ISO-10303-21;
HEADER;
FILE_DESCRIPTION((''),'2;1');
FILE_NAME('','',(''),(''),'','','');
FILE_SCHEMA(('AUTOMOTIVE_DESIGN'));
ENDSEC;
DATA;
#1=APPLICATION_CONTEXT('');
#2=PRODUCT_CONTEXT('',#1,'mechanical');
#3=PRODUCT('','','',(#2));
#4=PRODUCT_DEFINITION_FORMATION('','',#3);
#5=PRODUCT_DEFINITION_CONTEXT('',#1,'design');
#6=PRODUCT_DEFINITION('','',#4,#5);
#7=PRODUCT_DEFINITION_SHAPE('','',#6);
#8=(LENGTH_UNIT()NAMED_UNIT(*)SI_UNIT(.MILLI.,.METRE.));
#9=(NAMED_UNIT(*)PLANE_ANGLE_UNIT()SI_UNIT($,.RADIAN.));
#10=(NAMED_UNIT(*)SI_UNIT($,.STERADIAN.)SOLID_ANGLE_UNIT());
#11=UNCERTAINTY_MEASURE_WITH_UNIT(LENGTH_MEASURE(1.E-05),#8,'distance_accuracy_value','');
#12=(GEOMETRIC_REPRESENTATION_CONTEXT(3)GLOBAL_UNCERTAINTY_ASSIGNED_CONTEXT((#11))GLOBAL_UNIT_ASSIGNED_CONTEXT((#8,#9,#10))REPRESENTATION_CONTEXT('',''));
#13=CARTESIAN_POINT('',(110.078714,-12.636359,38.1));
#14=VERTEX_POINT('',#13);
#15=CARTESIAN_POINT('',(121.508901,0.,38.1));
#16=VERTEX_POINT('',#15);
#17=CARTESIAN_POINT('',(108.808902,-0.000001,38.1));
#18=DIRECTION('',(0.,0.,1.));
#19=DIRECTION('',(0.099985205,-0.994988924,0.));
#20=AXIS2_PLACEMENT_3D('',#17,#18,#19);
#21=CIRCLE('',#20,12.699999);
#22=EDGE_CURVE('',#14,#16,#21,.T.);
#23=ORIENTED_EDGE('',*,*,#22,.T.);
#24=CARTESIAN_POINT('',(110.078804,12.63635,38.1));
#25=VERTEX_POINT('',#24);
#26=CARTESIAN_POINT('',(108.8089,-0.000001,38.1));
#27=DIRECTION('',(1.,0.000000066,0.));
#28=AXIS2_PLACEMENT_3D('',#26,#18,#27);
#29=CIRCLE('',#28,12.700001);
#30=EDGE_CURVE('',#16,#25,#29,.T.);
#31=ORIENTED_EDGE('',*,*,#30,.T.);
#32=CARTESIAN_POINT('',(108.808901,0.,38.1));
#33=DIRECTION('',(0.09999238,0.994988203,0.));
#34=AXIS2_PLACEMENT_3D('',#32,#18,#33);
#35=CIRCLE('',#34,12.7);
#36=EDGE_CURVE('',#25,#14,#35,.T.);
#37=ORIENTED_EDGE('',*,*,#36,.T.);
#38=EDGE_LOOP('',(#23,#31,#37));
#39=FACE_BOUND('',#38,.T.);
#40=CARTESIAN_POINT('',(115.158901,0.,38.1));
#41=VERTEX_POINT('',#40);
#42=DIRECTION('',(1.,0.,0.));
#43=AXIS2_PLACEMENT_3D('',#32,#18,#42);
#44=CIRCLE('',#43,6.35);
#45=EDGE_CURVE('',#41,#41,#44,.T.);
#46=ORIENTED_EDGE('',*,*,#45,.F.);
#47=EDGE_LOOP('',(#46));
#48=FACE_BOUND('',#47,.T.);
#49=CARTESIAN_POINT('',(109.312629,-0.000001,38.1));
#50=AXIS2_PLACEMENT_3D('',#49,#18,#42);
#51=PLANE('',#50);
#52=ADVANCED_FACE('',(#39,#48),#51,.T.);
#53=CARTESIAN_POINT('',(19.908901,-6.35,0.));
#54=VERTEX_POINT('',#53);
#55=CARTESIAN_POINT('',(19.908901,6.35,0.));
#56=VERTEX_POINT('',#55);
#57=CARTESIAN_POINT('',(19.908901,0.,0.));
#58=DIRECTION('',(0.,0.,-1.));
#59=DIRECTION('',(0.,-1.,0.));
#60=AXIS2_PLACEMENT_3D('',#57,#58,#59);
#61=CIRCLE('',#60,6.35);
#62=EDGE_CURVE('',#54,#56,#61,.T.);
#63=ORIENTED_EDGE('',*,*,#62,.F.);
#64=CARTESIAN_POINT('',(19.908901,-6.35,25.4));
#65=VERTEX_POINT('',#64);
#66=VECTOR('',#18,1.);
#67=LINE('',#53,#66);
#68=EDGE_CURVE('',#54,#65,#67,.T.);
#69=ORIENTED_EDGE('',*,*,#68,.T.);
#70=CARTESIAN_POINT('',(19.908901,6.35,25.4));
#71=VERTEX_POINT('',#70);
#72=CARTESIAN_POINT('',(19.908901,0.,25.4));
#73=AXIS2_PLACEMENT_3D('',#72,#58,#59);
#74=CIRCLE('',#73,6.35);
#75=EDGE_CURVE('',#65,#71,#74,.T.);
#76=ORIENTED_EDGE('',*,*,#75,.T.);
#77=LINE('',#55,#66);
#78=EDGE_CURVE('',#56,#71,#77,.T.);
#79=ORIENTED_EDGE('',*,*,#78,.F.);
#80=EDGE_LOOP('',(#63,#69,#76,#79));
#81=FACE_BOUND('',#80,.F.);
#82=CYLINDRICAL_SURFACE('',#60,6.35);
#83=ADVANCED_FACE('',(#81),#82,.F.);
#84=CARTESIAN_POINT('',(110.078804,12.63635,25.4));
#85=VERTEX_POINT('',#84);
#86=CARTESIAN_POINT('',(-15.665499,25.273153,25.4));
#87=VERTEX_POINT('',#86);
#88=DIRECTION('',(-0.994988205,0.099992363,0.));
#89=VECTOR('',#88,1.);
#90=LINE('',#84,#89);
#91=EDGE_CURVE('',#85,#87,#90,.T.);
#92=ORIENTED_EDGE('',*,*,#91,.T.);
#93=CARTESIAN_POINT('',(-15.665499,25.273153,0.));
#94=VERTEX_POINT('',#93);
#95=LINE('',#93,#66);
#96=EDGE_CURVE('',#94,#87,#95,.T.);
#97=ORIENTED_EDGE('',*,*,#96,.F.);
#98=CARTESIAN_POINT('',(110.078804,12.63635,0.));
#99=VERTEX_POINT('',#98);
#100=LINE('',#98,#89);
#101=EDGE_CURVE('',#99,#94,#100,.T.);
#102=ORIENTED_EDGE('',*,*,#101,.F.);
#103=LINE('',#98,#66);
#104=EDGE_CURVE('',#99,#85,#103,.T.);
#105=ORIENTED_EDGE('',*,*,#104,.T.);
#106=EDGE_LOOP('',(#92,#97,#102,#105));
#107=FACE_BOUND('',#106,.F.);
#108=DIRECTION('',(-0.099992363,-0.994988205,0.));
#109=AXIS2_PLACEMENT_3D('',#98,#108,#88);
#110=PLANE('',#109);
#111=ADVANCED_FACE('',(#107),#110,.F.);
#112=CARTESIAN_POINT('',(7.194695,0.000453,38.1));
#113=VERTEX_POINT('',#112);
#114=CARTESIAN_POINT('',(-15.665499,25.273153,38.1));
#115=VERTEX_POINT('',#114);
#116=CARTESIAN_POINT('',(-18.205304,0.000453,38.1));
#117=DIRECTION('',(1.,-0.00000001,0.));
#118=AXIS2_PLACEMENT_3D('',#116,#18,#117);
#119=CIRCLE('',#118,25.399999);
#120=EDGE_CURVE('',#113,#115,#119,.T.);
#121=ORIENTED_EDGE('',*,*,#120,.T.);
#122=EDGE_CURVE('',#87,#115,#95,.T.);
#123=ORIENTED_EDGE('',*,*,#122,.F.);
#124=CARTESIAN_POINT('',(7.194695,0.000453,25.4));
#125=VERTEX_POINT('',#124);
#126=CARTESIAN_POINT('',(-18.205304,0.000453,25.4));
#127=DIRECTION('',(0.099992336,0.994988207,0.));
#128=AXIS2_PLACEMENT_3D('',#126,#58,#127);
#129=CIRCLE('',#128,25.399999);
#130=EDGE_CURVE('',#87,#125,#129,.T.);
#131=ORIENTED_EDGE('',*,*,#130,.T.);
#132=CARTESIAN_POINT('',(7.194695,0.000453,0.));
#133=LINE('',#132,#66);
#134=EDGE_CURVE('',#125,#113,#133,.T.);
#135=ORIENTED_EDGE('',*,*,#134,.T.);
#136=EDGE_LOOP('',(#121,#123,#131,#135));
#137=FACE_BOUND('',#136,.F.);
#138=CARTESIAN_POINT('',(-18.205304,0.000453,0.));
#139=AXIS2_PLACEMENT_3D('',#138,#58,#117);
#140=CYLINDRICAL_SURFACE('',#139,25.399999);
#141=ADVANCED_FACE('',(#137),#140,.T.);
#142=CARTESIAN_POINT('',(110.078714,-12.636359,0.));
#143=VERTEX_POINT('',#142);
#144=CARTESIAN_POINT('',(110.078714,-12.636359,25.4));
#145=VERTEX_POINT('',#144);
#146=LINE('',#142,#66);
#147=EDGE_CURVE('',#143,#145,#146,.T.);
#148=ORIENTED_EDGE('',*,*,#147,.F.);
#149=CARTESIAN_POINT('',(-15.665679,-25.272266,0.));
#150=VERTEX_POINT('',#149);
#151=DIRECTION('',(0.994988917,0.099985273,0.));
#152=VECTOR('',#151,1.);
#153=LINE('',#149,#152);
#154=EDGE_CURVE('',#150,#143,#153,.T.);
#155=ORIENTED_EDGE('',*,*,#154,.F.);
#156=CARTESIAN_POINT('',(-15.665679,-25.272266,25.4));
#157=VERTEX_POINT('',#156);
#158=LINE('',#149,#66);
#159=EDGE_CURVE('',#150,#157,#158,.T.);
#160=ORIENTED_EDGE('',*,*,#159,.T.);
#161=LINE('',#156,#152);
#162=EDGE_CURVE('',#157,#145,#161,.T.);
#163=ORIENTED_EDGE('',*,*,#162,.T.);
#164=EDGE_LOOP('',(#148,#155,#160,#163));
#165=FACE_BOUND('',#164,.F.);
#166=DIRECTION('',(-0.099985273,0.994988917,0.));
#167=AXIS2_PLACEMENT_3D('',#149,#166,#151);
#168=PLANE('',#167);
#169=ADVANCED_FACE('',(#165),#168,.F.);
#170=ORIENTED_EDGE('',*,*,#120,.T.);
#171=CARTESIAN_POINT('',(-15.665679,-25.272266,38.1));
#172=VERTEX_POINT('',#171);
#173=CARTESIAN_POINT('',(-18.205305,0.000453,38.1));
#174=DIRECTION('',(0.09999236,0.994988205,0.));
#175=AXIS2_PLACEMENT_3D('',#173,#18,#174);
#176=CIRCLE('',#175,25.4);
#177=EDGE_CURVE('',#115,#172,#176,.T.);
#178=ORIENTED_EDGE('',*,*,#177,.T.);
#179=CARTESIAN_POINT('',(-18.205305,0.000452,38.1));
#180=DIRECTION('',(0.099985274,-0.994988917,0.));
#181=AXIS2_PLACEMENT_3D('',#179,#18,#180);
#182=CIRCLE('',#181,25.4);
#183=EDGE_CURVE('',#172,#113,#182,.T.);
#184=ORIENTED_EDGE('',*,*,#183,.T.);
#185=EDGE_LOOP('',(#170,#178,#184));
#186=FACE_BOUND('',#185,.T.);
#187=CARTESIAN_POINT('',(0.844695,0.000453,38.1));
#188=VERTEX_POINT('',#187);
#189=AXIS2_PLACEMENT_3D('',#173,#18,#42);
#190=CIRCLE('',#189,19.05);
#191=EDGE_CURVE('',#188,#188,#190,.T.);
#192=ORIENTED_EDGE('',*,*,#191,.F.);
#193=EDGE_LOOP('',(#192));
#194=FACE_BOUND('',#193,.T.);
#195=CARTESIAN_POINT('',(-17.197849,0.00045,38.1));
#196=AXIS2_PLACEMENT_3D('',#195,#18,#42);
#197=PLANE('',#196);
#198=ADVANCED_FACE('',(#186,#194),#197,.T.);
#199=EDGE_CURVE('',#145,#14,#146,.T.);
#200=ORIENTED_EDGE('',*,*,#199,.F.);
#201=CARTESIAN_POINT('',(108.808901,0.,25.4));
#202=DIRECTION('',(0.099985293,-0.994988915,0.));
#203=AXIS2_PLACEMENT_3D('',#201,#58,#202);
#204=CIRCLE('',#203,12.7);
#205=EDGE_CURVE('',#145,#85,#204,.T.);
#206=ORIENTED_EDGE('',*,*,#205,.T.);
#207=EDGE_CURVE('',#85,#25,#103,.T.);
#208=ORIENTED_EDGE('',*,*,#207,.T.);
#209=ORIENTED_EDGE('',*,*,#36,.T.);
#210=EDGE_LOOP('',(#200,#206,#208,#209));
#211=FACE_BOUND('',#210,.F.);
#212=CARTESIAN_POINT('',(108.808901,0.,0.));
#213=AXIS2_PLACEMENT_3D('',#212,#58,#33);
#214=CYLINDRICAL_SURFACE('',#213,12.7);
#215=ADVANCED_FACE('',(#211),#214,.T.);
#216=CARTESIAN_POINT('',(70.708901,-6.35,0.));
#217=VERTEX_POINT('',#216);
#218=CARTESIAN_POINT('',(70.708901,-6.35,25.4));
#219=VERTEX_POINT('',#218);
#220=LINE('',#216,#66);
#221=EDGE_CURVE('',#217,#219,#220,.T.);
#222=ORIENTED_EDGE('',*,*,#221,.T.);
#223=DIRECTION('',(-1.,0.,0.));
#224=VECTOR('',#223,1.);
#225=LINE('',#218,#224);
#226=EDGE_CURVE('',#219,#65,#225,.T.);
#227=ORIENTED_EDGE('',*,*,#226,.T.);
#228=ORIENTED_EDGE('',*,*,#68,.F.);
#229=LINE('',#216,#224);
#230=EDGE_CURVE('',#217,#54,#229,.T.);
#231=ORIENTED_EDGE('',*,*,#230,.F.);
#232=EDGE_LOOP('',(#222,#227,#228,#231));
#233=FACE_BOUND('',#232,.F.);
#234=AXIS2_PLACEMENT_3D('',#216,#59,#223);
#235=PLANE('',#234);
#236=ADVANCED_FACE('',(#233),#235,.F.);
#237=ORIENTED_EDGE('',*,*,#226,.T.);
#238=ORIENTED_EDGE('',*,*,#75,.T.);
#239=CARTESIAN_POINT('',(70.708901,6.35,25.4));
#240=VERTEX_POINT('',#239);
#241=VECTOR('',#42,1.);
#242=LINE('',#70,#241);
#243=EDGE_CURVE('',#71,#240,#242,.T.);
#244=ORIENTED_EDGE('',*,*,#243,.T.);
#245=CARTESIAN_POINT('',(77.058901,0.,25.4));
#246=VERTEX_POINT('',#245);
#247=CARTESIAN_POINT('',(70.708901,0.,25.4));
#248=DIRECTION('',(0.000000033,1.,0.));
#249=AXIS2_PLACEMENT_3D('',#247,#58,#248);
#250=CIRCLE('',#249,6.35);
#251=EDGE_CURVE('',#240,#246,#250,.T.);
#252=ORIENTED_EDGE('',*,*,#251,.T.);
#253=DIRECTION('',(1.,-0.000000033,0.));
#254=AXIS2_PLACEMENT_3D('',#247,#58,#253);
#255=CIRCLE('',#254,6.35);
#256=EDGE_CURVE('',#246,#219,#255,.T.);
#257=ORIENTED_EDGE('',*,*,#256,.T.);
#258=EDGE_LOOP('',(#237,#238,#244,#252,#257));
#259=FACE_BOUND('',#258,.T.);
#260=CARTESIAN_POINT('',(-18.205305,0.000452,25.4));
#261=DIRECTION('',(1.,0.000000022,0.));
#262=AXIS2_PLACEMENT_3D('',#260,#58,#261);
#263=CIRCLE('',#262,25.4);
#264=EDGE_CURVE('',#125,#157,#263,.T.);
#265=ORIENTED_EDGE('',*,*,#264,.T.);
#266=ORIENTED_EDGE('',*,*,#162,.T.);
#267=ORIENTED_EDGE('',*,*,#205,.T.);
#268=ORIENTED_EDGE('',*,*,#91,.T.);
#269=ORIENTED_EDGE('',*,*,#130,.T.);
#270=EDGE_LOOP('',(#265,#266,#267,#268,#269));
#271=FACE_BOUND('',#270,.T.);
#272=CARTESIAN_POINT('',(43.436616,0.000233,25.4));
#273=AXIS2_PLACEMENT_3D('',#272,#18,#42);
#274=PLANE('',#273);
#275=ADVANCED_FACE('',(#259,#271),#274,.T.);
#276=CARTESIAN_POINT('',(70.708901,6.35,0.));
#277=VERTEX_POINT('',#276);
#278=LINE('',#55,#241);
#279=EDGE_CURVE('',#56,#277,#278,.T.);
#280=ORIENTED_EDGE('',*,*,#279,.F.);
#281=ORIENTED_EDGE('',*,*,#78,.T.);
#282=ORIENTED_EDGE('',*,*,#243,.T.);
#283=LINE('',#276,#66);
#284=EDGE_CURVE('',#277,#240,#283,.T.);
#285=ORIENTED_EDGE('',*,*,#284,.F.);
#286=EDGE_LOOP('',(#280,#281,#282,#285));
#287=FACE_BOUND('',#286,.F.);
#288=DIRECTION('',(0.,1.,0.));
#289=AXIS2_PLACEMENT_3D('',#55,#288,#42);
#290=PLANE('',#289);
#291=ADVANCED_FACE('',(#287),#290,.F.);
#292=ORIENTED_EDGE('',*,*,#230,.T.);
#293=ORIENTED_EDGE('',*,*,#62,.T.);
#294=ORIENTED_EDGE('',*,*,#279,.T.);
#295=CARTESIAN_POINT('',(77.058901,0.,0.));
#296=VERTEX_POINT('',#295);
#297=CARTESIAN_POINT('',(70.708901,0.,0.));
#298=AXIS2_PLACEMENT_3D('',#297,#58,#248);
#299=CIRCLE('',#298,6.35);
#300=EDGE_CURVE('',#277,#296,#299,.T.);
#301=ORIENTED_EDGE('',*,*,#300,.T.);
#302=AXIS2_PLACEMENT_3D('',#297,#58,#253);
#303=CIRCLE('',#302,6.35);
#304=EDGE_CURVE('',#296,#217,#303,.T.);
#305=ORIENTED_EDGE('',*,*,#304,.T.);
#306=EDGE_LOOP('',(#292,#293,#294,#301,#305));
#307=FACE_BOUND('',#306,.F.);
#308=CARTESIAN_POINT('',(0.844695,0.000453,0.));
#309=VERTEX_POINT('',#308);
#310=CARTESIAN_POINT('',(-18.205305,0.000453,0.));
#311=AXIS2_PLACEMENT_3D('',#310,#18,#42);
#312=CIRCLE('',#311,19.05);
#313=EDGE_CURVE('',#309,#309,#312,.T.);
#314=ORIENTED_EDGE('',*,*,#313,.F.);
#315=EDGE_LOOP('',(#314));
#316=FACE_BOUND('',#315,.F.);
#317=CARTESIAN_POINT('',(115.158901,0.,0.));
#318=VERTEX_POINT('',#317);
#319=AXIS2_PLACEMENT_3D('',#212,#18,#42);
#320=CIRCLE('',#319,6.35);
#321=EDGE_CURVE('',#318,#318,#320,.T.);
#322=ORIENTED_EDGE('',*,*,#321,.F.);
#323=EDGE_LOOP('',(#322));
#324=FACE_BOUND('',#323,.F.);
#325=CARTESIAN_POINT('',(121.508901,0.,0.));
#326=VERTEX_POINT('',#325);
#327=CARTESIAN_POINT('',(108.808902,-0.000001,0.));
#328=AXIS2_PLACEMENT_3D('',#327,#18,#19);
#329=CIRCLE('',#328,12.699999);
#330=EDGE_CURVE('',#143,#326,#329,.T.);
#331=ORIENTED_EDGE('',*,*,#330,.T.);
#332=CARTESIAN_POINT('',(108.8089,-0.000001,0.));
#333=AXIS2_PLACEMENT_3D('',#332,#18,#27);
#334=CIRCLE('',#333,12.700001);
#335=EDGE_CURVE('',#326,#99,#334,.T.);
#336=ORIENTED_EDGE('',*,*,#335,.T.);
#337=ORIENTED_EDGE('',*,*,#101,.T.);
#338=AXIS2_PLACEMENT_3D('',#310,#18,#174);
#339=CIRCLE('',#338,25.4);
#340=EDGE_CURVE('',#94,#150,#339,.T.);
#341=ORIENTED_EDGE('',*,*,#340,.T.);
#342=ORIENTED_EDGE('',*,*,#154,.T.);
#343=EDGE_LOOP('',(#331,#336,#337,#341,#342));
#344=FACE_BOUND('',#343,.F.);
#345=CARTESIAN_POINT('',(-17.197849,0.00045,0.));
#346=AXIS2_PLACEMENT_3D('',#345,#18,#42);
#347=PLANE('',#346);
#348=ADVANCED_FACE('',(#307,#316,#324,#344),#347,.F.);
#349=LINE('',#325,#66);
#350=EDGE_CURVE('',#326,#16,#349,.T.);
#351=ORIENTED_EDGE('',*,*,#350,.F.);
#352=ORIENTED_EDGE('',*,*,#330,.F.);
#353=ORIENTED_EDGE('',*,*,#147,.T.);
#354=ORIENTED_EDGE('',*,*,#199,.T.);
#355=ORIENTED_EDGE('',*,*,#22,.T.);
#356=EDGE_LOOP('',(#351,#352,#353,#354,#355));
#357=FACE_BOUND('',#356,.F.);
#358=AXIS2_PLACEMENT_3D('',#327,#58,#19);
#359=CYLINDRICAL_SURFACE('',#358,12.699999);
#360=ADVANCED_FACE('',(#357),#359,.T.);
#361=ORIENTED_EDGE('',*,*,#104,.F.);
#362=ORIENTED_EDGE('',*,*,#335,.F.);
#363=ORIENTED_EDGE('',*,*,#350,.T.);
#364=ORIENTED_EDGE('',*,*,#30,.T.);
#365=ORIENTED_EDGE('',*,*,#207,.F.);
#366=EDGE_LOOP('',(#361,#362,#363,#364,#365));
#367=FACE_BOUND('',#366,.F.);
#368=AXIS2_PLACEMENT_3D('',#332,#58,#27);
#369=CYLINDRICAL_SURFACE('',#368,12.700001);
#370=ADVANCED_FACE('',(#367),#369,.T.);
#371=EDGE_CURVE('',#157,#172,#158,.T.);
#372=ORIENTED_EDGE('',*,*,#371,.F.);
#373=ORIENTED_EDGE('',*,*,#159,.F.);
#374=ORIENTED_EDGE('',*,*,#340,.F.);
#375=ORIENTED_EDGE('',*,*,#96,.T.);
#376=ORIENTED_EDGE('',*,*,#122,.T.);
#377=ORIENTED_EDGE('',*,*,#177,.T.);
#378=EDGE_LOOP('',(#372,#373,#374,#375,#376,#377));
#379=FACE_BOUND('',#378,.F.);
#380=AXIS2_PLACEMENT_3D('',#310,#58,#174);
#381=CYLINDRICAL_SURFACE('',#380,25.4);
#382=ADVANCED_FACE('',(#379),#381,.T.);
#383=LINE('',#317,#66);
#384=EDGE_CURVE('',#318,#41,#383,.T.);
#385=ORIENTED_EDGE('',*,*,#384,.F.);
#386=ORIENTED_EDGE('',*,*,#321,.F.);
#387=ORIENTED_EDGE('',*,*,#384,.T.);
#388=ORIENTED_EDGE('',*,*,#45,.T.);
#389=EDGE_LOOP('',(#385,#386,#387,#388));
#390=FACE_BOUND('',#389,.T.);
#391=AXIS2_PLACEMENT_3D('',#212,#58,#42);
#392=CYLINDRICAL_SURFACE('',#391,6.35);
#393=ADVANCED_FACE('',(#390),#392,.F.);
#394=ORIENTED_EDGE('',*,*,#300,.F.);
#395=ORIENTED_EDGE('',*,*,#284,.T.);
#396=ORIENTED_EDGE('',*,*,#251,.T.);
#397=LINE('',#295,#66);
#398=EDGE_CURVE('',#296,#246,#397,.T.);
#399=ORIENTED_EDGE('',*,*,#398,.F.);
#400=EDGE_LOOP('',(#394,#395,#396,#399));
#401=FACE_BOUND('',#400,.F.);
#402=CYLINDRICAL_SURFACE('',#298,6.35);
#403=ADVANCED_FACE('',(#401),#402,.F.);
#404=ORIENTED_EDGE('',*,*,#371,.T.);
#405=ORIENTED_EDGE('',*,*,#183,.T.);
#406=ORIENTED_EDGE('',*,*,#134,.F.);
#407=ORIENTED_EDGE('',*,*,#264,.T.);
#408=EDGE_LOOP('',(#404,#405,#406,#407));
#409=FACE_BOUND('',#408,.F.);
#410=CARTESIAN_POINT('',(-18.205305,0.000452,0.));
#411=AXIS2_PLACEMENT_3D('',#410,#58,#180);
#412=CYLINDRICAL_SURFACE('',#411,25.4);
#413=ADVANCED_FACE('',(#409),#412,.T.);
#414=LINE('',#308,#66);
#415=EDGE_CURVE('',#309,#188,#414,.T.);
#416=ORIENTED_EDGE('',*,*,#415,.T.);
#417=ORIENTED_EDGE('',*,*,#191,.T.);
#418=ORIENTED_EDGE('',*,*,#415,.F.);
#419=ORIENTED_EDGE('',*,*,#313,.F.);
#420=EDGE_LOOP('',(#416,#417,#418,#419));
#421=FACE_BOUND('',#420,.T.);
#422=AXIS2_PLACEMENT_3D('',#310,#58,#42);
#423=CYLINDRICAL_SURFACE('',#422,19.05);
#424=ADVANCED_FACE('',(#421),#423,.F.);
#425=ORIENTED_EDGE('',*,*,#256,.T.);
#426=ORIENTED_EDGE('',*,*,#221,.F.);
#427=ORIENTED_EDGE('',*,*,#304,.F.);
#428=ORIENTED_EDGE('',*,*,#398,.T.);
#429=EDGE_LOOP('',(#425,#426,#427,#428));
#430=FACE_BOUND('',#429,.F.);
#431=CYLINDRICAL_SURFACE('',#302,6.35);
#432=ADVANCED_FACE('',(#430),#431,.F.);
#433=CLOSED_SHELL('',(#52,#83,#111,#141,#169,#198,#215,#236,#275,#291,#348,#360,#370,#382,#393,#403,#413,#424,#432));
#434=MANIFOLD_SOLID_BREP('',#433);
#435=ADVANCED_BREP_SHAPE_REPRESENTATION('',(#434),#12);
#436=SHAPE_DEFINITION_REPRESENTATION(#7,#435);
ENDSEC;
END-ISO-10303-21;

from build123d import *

# Parameters (mm, degrees)
F1_DEPTH = 25.4
F0_R     = 19.05
F0_R_2   = 6.35
F2_DEPTH = 38.1


with BuildPart() as f1:
    # F0 (on Top) → F1 (new body)
    with BuildSketch(Plane.XY):
        with BuildLine():
            ThreePointArc((110.078714, -12.636359), (96.108901, 4.5e-05), (110.078804, 12.63635))
            Line((110.078804, 12.63635), (-15.665499, 25.273153))
            ThreePointArc((-15.665499, 25.273153), (0.631774, 17.039363), (7.194695, 0.000453))
            ThreePointArc((7.194695, 0.000453), (0.631713, -17.038525), (-15.665679, -25.272266))
            Line((-15.665679, -25.272266), (110.078714, -12.636359))
        make_face()
        with BuildLine():
            ThreePointArc((70.708901, 6.35), (75.199029, 4.490128), (77.058901, 0))
            ThreePointArc((77.058901, 0), (75.199029, -4.490128), (70.708901, -6.35))
            Line((70.708901, -6.35), (19.908901, -6.35))
            ThreePointArc((19.908901, -6.35), (13.558901, 0), (19.908901, 6.35))
            Line((19.908901, 6.35), (70.708901, 6.35))
        make_face(mode=Mode.SUBTRACT)
    extrude(amount=F1_DEPTH)

    # F0 (on Top) → F2 (join)
    with BuildSketch(Plane.XY):
        with BuildLine():
            ThreePointArc((7.194695, 0.000453), (0.631774, 17.039363), (-15.665499, 25.273153))
            ThreePointArc((-15.665499, 25.273153), (-43.605305, 0.000543), (-15.665679, -25.272266))
            ThreePointArc((-15.665679, -25.272266), (0.631713, -17.038525), (7.194695, 0.000453))
        make_face()
        with Locations((-18.205305, 0.000453)):
            Circle(F0_R, mode=Mode.SUBTRACT)
        with BuildLine():
            ThreePointArc((110.078714, -12.636359), (118.22741, -8.519489), (121.508901, 0))
            ThreePointArc((121.508901, 0), (118.22744, 8.519455), (110.078804, 12.63635))
            ThreePointArc((110.078804, 12.63635), (96.108901, 4.5e-05), (110.078714, -12.636359))
        make_face()
        with Locations((108.808901, 0)):
            Circle(F0_R_2, mode=Mode.SUBTRACT)
    extrude(amount=F2_DEPTH)


solid = f1.part
